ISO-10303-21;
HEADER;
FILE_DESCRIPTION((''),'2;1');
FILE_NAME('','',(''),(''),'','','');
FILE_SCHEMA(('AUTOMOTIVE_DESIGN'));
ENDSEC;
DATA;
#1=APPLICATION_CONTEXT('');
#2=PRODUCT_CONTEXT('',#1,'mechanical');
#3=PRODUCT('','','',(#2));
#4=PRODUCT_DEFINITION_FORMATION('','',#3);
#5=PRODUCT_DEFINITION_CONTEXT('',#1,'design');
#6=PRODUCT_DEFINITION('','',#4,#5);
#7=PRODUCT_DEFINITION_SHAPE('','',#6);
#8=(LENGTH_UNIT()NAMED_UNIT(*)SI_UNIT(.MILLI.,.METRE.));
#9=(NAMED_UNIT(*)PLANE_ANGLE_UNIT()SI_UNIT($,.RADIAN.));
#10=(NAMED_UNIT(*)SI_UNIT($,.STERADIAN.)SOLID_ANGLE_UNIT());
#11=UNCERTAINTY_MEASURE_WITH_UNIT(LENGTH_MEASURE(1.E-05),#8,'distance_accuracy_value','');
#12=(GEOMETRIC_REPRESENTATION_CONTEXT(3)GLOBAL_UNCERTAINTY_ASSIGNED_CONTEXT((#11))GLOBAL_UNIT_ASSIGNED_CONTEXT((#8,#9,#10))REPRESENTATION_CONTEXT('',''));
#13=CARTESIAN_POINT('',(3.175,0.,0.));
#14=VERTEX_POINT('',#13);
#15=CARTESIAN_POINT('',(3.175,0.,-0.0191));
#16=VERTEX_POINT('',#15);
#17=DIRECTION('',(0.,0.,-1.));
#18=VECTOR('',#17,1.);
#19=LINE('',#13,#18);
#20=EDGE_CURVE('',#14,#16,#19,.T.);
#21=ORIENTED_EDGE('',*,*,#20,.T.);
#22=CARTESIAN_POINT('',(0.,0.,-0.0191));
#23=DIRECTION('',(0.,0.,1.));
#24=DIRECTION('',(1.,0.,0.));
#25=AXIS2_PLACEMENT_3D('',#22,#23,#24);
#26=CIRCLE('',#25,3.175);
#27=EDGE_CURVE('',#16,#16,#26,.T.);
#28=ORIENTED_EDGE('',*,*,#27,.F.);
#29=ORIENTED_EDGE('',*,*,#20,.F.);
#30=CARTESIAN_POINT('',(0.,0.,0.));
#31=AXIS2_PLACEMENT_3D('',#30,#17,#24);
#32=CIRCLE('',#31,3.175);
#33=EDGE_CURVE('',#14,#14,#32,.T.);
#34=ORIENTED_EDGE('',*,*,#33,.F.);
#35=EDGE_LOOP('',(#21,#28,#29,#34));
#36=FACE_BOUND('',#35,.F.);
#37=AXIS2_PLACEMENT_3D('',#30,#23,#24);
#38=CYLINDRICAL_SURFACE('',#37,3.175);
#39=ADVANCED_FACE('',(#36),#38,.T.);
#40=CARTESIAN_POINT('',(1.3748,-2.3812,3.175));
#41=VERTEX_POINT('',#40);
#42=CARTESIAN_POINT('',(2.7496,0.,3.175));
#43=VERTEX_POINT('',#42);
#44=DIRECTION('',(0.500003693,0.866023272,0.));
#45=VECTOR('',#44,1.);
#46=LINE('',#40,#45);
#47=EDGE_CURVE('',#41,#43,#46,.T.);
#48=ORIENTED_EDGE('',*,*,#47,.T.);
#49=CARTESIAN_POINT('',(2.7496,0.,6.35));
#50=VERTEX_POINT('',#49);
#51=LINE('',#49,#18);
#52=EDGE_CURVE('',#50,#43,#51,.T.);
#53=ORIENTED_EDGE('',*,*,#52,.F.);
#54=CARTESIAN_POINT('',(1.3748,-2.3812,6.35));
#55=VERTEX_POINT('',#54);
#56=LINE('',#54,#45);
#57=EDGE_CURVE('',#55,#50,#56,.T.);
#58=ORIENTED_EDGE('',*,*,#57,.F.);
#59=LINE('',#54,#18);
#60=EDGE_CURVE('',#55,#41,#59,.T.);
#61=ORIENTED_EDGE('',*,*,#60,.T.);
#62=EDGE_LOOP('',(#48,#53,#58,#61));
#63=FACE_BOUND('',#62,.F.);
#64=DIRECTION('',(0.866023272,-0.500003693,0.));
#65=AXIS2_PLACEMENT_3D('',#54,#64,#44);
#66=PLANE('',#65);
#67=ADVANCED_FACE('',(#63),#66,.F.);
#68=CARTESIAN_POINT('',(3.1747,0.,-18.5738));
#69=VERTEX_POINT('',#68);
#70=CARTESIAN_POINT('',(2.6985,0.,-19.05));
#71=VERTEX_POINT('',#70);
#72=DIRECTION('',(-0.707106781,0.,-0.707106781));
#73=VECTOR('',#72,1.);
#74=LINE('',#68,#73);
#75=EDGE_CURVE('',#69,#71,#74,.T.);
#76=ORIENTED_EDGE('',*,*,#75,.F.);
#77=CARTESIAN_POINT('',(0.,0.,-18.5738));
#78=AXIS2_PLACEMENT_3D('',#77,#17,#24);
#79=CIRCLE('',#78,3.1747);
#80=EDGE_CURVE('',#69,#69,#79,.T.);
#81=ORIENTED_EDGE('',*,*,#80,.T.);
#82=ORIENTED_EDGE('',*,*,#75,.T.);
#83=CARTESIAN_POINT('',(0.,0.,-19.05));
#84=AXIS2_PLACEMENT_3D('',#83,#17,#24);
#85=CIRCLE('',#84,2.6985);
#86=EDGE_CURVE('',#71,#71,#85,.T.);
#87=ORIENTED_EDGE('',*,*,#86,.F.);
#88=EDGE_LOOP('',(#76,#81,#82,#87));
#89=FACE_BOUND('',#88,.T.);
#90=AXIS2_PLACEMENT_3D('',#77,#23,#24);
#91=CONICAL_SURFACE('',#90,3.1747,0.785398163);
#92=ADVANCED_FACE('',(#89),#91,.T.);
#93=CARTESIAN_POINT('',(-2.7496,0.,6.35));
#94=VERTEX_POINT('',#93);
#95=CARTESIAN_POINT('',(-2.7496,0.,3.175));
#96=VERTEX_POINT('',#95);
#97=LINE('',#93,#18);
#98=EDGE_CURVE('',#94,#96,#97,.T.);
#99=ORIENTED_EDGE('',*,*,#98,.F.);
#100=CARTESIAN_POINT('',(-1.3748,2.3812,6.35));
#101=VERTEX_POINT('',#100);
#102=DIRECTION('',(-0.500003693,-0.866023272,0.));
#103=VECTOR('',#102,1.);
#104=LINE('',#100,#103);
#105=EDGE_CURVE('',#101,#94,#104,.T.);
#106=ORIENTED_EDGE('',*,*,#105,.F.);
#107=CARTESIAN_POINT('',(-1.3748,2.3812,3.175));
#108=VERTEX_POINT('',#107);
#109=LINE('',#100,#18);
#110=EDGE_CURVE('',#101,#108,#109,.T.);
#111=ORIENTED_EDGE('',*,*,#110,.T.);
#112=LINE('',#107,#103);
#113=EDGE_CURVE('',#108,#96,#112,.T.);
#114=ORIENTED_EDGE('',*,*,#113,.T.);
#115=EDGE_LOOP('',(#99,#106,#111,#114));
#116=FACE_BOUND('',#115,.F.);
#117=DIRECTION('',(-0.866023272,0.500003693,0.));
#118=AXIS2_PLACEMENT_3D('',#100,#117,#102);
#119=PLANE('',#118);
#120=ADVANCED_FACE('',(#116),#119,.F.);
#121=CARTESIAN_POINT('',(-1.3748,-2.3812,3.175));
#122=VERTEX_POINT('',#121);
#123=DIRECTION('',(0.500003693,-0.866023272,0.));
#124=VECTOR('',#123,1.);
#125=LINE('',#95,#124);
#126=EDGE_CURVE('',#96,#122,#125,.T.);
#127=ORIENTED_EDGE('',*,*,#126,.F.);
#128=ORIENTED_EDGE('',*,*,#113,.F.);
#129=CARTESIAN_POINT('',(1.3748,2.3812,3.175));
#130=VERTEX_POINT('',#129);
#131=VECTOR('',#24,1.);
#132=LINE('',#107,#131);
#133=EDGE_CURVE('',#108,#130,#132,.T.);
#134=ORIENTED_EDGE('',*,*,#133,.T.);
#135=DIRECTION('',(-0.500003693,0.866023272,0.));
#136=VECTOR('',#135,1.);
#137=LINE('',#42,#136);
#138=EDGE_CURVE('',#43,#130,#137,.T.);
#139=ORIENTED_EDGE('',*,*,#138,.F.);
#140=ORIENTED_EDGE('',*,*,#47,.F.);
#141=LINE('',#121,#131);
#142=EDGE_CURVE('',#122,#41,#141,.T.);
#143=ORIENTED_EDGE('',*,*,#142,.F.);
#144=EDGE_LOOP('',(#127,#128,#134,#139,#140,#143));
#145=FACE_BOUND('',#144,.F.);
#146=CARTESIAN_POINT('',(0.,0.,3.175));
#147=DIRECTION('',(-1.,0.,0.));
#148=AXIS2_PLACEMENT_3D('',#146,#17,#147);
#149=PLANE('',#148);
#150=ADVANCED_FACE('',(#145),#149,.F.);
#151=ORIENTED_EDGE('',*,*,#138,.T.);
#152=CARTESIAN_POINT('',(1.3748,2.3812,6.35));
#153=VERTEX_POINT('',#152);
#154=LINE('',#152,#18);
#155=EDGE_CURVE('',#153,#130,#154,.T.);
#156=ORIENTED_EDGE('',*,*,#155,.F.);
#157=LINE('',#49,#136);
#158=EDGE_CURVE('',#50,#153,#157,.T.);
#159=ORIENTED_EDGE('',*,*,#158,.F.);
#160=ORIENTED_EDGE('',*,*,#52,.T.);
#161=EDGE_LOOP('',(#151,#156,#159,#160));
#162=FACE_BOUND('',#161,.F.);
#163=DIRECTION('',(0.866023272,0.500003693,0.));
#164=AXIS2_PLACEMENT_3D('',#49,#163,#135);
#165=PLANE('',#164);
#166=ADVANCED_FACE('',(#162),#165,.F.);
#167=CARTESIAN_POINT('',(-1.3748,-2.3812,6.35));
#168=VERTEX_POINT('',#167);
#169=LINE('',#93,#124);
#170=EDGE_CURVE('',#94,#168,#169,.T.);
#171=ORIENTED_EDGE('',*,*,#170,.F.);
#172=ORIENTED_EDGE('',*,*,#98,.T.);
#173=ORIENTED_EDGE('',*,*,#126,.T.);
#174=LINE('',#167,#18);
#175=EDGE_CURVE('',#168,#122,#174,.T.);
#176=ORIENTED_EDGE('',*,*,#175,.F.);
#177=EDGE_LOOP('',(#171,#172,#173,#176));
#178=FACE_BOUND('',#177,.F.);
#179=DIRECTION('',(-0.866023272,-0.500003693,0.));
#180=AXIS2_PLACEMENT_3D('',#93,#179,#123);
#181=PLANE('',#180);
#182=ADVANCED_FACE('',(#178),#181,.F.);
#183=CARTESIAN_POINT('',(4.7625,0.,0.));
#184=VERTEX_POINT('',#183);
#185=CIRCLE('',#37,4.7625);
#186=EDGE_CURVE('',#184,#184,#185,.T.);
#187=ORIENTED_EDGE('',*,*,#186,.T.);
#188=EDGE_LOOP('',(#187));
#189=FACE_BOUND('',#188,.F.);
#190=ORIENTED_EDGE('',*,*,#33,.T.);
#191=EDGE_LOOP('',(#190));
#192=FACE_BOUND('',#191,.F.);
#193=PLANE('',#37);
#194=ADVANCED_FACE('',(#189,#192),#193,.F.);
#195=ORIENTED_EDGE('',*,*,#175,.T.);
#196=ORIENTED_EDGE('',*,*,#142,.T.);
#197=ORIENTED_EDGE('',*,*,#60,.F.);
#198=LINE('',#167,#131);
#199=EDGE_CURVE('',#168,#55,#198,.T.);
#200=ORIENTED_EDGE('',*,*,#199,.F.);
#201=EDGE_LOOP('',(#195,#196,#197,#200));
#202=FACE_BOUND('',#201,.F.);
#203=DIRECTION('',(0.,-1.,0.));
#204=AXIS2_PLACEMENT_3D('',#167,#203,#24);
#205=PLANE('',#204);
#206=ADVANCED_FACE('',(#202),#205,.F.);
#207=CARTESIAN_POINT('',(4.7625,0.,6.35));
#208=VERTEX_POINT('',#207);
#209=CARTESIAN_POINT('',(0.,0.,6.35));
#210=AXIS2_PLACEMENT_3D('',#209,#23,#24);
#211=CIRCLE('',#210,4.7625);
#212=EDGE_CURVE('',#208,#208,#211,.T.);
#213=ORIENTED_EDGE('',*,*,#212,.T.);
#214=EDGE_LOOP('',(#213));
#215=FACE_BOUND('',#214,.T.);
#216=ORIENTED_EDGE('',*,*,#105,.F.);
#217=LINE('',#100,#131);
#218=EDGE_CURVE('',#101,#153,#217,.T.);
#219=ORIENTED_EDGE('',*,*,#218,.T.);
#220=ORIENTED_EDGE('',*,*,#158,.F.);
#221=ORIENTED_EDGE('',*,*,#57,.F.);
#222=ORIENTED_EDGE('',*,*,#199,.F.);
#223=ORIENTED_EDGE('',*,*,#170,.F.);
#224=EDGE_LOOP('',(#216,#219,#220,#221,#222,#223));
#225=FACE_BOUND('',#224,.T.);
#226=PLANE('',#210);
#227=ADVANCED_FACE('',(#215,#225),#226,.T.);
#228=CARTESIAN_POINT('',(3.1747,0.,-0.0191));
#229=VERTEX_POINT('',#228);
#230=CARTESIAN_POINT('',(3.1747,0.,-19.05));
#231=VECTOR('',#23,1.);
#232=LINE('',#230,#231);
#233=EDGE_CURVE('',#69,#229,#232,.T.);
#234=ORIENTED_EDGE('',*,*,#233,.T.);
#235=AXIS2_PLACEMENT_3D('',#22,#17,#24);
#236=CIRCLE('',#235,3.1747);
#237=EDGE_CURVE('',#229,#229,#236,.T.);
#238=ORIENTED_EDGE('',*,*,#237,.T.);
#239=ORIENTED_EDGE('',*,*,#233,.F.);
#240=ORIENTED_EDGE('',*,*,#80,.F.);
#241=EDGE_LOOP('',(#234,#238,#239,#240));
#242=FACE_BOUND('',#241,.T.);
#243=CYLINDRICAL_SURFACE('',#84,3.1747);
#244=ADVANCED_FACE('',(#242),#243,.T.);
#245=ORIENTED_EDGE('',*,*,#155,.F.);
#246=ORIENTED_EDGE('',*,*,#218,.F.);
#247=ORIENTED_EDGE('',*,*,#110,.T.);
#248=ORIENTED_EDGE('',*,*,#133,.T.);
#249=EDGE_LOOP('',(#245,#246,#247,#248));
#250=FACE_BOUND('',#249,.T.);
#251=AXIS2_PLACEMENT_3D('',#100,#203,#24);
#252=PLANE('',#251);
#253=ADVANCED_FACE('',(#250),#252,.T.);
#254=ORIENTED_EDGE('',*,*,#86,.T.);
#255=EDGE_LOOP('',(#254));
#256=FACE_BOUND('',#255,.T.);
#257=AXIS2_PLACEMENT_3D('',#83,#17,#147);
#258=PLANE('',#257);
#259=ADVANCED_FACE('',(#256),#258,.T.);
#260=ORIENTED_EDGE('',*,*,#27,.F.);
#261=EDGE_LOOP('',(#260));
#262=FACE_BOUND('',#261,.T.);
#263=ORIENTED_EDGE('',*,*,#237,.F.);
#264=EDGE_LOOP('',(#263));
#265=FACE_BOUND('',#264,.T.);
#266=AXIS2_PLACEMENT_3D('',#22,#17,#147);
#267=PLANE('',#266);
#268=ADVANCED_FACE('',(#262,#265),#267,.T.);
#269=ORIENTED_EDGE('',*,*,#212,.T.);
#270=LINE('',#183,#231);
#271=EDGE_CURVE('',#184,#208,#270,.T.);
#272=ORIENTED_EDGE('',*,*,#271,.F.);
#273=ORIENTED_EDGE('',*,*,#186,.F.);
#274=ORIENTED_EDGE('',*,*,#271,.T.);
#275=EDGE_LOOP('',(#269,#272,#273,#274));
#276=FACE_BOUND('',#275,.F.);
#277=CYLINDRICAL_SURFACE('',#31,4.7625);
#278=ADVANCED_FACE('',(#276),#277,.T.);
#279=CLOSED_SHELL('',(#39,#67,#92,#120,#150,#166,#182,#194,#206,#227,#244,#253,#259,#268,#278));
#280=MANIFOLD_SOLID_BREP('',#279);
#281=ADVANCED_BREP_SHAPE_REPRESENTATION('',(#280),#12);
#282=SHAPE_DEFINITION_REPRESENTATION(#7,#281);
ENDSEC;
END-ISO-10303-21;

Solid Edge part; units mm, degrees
sketch "Sketch1" plane through (0, 0, 0) normal (0, 0, 1) x (1, 0, 0)
  circle A0 centre (0, 0) radius 4.7625
  dimension "D1" = 9.525
extrude "Protrusion1" add sketch "Sketch1" along normal blind 6.35
sketch "Sketch2" plane through (0, 0, 0) normal (0, 0, -1) x (1, 0, 0)
  circle A0 centre (0, 0) radius 3.175
extrude "Protrusion2" add sketch "Sketch2" along normal blind 19.05
sketch "Sketch3" plane through (0, 0, -19.05) normal (0, 0, -1) x (1, 0, 0)
  circle A0 centre (0, 0) radius 3.1747
extrude "Cutout1" cut sketch "Sketch3" against normal blind 19.0309 flip side to cut
chamfer "Chamfer_1" distance 0.4762 angle 45 1 edges at (-3.1747, 0, -19.05)
sketch "Sketch4" plane through (0, 0, 6.35) normal (0, 0, 1) x (1, 0, 0)
  line L0 (-1.3748, 2.3812) -> (1.3748, 2.3812)
  line L1 (2.7496, 0) -> (1.3748, 2.3812)
  line L2 (1.3748, -2.3812) -> (2.7496, 0)
  line L3 (-1.3748, -2.3812) -> (1.3748, -2.3812)
  line L4 (-2.7496, 0) -> (-1.3748, -2.3812)
  line L5 (-1.3748, 2.3812) -> (-2.7496, 0)
  dimension "D1" = 4.7625
extrude "Cutout2" cut sketch "Sketch4" against normal blind 3.175
properties part number "118797_3" material "Stainless Steel, 304"
